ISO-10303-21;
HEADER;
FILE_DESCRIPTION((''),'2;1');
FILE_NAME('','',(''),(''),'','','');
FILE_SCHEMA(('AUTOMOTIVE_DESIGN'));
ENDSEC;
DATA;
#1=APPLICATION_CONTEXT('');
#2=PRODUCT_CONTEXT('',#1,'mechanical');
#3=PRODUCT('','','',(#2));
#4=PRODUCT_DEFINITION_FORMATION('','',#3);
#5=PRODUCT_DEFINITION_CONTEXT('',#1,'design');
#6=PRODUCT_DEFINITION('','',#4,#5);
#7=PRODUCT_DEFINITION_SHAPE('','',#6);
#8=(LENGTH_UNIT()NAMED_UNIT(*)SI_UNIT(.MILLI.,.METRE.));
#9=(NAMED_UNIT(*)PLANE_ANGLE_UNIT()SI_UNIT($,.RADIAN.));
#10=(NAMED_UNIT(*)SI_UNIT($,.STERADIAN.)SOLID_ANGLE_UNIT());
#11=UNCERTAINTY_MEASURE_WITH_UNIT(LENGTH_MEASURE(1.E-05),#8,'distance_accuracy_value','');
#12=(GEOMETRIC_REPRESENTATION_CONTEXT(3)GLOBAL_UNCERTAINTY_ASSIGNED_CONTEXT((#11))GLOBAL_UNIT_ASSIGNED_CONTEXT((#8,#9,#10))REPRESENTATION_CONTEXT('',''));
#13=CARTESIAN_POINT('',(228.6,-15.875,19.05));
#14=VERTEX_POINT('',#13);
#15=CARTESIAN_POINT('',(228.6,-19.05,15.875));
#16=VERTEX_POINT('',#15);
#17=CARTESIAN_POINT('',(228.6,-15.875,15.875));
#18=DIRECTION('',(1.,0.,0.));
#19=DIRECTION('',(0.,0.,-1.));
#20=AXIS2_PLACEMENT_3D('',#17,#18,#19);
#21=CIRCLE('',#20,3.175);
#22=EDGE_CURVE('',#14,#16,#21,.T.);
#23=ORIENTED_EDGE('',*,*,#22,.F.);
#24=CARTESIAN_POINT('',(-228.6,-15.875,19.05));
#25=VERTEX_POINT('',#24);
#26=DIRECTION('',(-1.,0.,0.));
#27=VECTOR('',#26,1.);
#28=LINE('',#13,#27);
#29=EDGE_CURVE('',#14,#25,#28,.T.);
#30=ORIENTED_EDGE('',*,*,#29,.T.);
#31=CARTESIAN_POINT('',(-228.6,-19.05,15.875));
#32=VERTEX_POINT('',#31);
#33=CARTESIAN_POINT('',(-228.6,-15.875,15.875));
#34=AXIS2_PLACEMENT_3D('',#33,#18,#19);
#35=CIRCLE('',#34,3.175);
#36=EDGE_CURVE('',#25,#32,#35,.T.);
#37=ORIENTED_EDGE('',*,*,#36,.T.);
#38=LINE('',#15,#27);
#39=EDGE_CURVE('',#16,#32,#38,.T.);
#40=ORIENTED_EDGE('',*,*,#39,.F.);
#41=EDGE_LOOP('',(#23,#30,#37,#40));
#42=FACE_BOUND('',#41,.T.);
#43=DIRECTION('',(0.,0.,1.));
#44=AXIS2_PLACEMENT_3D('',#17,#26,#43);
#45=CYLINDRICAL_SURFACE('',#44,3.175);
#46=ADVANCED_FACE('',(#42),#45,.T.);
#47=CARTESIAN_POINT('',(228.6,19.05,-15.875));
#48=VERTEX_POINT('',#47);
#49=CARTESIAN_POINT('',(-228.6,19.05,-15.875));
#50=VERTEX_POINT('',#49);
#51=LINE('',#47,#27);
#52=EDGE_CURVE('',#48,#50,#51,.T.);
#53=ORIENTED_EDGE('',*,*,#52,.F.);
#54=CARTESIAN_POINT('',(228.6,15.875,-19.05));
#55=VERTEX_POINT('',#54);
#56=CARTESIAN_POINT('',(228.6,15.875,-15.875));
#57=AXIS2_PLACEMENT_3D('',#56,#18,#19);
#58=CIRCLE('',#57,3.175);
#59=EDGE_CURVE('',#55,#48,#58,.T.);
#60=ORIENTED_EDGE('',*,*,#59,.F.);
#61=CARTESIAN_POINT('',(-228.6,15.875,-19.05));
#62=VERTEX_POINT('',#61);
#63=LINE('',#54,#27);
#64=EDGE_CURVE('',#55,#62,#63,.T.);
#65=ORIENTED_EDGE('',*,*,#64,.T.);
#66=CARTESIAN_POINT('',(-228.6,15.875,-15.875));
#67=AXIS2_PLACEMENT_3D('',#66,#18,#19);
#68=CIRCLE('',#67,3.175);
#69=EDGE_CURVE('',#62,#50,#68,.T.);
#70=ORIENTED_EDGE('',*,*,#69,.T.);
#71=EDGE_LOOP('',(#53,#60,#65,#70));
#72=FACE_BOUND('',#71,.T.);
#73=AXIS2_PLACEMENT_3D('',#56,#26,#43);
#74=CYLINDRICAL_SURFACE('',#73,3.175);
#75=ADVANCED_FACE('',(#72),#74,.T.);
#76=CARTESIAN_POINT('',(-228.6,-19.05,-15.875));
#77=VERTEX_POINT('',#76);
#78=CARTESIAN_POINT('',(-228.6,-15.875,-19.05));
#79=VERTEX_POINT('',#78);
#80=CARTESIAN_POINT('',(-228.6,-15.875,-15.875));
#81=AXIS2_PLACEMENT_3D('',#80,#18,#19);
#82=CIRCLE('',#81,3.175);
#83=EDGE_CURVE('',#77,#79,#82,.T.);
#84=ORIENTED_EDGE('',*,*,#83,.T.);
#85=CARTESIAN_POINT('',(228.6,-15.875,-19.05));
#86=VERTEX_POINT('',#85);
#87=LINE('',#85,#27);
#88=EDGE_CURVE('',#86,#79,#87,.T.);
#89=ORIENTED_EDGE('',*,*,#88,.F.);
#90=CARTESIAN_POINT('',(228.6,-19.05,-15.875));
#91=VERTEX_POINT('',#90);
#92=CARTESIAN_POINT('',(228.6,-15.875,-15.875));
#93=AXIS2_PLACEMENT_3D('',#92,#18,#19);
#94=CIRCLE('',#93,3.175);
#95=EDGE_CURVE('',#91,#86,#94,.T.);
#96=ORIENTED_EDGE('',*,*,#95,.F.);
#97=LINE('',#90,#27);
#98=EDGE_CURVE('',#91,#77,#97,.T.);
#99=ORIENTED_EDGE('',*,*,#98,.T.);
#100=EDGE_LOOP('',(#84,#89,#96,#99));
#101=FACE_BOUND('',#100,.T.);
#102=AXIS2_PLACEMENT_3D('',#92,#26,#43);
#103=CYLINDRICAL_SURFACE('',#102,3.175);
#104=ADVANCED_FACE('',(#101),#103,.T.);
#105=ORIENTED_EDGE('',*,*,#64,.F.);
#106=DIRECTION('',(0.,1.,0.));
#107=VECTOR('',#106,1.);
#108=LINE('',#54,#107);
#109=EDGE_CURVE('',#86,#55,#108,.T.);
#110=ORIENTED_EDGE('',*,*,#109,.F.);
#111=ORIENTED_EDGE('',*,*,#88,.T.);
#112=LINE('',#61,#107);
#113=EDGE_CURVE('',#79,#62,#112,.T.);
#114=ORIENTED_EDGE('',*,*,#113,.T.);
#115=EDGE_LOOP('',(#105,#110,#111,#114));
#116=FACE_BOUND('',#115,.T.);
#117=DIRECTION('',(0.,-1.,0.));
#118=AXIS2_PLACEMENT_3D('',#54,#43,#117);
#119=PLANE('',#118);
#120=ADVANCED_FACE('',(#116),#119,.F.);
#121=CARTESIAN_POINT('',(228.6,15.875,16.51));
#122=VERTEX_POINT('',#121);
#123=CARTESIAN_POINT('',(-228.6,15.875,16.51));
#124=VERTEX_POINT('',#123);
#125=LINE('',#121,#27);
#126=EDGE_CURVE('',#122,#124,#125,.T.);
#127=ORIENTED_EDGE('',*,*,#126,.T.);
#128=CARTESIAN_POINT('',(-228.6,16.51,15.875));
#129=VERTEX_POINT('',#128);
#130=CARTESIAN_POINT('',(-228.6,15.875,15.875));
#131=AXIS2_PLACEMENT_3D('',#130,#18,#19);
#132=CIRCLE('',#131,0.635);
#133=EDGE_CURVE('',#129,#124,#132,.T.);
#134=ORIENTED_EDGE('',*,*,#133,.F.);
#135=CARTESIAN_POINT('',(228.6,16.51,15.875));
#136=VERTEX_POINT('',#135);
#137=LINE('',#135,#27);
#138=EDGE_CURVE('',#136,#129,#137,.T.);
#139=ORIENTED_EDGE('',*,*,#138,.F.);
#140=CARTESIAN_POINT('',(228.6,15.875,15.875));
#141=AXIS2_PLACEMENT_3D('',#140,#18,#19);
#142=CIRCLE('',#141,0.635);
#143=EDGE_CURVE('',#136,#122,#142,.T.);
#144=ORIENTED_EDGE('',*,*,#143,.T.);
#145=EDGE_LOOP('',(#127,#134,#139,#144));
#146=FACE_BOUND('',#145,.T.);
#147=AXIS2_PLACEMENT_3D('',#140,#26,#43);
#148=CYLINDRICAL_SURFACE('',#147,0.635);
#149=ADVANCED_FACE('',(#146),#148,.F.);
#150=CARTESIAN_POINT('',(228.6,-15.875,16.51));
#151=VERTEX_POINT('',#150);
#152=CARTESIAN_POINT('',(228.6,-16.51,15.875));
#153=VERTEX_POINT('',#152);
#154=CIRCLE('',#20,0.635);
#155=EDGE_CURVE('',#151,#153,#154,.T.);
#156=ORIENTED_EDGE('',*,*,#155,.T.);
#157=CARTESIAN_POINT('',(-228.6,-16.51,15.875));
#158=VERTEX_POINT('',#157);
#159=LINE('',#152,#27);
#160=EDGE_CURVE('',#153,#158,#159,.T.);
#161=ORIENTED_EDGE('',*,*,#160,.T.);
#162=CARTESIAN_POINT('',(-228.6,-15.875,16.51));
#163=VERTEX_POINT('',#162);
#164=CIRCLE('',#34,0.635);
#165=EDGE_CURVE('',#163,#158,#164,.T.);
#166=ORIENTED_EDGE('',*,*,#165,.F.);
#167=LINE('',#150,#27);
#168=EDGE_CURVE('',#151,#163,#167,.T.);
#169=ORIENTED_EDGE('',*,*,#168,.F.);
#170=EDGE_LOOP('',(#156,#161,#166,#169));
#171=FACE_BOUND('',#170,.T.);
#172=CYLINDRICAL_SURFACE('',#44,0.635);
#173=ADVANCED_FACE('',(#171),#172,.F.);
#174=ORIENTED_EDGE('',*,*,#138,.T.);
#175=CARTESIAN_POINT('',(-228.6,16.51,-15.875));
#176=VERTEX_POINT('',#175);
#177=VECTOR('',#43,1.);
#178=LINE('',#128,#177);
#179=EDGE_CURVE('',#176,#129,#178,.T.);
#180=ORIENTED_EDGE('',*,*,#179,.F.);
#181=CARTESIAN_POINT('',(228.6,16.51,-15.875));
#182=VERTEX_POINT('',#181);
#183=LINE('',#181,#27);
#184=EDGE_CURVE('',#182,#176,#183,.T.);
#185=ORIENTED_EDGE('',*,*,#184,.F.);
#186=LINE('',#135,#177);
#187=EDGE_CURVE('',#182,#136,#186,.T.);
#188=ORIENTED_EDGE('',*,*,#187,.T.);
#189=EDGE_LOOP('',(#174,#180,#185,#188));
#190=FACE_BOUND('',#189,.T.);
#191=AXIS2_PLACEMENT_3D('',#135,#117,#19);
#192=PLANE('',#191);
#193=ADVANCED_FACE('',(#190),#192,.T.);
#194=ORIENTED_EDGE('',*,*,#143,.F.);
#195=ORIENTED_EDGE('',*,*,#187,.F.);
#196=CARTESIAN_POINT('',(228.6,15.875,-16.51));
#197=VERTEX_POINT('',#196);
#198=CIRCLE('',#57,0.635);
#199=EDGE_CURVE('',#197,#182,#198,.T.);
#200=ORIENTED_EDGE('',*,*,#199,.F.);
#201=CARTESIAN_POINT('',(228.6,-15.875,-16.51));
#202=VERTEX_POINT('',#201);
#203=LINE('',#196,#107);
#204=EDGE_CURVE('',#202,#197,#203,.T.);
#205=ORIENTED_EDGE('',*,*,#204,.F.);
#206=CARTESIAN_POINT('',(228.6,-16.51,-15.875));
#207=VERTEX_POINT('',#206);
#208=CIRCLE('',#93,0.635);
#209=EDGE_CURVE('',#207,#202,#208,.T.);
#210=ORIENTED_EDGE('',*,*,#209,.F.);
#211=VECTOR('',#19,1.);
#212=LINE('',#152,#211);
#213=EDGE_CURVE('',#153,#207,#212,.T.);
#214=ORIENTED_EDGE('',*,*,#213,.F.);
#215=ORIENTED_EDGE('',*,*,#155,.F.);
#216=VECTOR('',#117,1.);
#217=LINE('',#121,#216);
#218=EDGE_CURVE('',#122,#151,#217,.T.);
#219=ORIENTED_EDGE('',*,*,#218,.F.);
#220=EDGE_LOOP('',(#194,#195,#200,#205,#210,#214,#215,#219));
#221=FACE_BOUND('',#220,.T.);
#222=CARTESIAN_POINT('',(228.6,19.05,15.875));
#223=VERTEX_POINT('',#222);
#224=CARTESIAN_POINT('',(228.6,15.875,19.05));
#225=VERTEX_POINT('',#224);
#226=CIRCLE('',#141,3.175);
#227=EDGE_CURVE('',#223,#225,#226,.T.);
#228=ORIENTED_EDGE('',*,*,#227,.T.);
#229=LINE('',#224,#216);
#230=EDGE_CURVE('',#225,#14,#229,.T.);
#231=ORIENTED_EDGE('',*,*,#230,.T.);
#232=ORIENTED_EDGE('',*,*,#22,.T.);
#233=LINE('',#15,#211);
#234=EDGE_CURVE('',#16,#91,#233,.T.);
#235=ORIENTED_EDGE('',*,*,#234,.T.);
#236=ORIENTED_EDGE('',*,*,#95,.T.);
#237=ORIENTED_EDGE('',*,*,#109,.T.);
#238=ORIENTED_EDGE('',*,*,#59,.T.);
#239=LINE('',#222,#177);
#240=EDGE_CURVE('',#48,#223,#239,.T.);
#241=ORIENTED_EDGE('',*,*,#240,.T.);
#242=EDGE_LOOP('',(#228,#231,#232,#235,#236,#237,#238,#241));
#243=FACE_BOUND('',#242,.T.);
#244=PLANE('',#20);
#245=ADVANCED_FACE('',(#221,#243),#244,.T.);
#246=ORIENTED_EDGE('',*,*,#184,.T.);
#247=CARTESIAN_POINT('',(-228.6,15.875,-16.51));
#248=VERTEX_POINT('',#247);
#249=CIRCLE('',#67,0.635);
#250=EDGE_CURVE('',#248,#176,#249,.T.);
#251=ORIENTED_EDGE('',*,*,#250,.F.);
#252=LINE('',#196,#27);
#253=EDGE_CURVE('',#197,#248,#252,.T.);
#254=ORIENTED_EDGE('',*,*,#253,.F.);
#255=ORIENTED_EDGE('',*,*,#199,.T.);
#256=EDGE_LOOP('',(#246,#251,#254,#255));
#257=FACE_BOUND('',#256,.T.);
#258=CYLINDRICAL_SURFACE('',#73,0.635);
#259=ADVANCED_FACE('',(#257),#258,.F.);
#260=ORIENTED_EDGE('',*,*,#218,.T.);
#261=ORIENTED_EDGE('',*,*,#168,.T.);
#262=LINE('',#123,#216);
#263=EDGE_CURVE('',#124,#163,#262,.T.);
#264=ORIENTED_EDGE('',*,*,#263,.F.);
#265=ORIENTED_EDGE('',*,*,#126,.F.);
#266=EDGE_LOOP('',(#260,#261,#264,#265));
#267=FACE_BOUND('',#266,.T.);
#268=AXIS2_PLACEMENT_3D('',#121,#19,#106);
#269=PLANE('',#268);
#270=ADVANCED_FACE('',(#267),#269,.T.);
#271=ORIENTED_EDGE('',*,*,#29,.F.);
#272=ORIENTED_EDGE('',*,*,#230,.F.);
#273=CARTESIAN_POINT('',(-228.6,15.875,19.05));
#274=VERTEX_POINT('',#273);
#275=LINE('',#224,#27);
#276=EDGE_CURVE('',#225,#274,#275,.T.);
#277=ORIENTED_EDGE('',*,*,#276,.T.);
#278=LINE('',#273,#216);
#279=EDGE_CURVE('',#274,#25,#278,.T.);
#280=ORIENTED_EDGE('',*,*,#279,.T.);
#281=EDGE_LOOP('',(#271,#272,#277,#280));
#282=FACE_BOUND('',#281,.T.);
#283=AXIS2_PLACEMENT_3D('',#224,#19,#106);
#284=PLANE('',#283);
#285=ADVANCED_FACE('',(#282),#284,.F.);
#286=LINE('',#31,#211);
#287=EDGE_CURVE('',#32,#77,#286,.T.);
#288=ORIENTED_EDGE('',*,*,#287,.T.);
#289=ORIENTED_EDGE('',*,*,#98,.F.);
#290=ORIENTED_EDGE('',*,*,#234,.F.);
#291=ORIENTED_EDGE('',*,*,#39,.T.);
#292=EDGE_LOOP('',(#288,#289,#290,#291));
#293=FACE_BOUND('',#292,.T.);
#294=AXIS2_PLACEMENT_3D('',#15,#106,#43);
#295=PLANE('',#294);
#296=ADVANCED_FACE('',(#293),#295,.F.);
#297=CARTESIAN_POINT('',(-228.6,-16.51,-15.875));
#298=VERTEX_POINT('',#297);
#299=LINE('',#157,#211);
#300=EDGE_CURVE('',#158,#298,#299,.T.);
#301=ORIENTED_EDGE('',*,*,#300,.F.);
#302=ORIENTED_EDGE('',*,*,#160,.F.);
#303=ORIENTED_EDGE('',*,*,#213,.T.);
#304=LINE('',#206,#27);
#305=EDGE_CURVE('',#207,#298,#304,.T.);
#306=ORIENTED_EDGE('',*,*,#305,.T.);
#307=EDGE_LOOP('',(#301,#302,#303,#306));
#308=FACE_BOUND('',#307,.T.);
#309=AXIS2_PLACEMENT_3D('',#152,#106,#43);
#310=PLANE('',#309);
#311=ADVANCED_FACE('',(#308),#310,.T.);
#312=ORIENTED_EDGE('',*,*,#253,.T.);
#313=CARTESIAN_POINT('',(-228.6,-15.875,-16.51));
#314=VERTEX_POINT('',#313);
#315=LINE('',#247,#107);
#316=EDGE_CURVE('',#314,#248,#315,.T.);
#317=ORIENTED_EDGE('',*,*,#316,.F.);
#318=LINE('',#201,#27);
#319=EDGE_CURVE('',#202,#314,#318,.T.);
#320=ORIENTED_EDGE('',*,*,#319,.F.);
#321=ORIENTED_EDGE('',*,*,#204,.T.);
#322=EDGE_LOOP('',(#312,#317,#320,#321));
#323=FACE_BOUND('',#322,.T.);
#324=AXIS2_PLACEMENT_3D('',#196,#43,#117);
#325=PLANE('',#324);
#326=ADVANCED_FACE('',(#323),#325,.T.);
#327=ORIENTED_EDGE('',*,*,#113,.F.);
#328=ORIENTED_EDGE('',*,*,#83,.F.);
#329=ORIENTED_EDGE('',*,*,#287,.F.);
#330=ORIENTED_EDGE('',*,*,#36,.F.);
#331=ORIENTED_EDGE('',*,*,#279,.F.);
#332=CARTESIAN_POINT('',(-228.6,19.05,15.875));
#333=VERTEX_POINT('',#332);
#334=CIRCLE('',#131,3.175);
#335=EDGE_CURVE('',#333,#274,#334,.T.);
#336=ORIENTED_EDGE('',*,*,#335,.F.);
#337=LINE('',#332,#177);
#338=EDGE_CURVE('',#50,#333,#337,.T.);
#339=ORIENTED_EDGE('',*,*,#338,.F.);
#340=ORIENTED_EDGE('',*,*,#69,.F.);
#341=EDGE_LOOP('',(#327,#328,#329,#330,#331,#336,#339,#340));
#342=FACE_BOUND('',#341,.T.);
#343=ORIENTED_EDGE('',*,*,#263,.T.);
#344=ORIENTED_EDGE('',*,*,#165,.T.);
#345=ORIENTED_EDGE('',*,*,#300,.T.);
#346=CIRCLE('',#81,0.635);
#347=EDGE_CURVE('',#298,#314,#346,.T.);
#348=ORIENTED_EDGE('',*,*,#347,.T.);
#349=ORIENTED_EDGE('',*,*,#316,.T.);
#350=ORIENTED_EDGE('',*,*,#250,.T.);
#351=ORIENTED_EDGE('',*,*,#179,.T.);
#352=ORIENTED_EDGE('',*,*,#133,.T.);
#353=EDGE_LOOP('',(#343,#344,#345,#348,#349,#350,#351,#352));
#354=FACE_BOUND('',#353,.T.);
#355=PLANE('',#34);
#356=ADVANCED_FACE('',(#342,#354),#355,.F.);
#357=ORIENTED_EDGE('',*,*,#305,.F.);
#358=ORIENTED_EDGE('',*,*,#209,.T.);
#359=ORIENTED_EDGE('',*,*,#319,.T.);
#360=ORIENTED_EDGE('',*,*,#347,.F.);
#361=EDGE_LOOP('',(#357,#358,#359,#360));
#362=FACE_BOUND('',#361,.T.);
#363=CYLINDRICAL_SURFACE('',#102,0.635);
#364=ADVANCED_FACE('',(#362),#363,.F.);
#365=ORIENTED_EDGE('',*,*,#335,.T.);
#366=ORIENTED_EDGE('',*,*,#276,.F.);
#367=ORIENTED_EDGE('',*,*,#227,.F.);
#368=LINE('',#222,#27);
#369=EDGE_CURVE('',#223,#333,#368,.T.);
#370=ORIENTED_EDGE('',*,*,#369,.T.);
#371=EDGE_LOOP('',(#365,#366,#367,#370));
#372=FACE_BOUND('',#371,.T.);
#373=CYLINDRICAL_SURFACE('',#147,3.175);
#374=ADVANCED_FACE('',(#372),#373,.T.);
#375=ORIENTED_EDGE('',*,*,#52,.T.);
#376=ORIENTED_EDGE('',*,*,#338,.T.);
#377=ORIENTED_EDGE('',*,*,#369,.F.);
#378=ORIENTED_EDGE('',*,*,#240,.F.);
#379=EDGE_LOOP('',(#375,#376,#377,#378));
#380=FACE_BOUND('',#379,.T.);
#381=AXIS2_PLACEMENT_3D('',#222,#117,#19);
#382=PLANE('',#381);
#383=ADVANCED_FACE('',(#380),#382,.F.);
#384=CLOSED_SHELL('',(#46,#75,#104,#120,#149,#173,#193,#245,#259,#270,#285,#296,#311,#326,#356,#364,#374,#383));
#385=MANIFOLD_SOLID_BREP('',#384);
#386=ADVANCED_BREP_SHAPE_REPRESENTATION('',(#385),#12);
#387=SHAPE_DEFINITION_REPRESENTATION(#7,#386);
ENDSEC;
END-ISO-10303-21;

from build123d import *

# Parameters (mm, degrees)
EXTRUDE_THIN1_DEPTH = 228.6


with BuildPart() as part:
    # Sketch1 → Extrude-Thin1 (new body, symmetric)
    with BuildSketch(Plane(origin=(0, 0, 0), x_dir=(0, 0, -1), z_dir=(1, 0, 0))):
        with BuildLine():
            Line((-15.875, 19.05), (15.875, 19.05))
            ThreePointArc((15.875, 19.05), (18.12006403, 18.12006403), (19.05, 15.875))
            Line((19.05, 15.875), (19.05, -15.875))
            ThreePointArc((19.05, -15.875), (18.12006403, -18.12006403), (15.875, -19.05))
            Line((15.875, -19.05), (-15.875, -19.05))
            ThreePointArc((-15.875, -19.05), (-18.12006403, -18.12006403), (-19.05, -15.875))
            Line((-19.05, -15.875), (-19.05, 15.875))
            ThreePointArc((-19.05, 15.875), (-18.12006403, 18.12006403), (-15.875, 19.05))
        make_face()
        with BuildLine():
            Line((-15.875, 16.51), (15.875, 16.51))
            ThreePointArc((15.875, 16.51), (16.324012806, 16.324012806), (16.51, 15.875))
            Line((16.51, 15.875), (16.51, -15.875))
            ThreePointArc((16.51, -15.875), (16.324012806, -16.324012806), (15.875, -16.51))
            Line((15.875, -16.51), (-15.875, -16.51))
            ThreePointArc((-15.875, -16.51), (-16.324012806, -16.324012806), (-16.51, -15.875))
            Line((-16.51, -15.875), (-16.51, 15.875))
            ThreePointArc((-16.51, 15.875), (-16.324012806, 16.324012806), (-15.875, 16.51))
        make_face(mode=Mode.SUBTRACT)
    extrude(amount=EXTRUDE_THIN1_DEPTH, both=True)


solid = part.part
